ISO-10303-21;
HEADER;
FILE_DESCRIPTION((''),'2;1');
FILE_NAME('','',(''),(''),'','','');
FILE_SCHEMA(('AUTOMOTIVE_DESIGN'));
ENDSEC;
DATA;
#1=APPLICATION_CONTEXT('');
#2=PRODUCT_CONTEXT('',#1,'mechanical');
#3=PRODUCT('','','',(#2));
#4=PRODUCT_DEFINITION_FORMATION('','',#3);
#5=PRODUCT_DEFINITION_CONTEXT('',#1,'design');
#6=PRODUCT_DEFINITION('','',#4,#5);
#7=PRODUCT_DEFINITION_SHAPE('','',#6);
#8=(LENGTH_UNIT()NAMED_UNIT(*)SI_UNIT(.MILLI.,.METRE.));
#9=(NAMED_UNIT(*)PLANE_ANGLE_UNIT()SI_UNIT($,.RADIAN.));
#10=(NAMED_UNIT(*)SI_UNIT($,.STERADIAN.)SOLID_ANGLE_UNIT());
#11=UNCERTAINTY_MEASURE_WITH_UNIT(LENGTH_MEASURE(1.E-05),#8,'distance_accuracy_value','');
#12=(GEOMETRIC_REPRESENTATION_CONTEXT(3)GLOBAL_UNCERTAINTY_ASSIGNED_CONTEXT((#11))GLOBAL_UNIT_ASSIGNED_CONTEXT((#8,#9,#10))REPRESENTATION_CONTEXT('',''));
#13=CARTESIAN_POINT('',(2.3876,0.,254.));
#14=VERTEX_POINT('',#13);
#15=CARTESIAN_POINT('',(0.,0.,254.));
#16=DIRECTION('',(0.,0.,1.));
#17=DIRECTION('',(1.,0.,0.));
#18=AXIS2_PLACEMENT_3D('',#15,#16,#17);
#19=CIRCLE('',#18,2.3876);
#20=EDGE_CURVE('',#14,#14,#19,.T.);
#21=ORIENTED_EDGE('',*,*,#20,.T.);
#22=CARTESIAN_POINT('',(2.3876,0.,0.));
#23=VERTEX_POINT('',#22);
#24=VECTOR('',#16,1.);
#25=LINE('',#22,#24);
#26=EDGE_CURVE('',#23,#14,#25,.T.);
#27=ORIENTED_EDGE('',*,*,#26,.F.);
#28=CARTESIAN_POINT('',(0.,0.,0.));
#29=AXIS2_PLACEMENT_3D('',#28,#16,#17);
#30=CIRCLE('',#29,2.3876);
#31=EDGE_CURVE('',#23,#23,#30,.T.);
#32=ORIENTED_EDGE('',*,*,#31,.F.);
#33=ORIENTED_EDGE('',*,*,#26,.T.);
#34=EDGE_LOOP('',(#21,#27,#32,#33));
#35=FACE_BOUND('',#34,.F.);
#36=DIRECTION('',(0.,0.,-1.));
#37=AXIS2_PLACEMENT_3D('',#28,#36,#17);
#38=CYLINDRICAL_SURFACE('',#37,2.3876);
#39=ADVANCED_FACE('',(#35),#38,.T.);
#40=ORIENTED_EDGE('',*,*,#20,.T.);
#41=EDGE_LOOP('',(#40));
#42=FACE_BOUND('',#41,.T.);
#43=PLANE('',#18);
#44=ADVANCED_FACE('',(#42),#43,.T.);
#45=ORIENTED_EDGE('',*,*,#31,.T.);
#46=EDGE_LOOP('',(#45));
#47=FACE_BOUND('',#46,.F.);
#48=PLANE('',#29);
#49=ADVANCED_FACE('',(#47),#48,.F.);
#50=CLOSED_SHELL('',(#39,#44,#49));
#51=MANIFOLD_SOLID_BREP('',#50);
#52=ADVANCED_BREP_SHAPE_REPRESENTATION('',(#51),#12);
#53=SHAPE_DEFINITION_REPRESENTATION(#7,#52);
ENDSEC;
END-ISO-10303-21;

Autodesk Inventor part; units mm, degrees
ref_plane "YZ Plane" through (0, 0, 0) normal (1, 0, 0) x (0, 1, 0)
ref_plane "XZ Plane" through (0, 0, 0) normal (0, 1, 0) x (-1, 0, 0)
ref_plane "XY Plane" through (0, 0, 0) normal (0, 0, 1) x (1, 0, 0)
sketch "Sketch1" plane through (0, 0, 0) normal (0, 0, 1) x (1, 0, 0)
  circle A0 centre (0, 0) radius 2.3876
  dimension "d0" = 4.7752
extrude "Extrusion1" add sketch "Sketch1" along normal blind 254
properties part number "6InchAx"
